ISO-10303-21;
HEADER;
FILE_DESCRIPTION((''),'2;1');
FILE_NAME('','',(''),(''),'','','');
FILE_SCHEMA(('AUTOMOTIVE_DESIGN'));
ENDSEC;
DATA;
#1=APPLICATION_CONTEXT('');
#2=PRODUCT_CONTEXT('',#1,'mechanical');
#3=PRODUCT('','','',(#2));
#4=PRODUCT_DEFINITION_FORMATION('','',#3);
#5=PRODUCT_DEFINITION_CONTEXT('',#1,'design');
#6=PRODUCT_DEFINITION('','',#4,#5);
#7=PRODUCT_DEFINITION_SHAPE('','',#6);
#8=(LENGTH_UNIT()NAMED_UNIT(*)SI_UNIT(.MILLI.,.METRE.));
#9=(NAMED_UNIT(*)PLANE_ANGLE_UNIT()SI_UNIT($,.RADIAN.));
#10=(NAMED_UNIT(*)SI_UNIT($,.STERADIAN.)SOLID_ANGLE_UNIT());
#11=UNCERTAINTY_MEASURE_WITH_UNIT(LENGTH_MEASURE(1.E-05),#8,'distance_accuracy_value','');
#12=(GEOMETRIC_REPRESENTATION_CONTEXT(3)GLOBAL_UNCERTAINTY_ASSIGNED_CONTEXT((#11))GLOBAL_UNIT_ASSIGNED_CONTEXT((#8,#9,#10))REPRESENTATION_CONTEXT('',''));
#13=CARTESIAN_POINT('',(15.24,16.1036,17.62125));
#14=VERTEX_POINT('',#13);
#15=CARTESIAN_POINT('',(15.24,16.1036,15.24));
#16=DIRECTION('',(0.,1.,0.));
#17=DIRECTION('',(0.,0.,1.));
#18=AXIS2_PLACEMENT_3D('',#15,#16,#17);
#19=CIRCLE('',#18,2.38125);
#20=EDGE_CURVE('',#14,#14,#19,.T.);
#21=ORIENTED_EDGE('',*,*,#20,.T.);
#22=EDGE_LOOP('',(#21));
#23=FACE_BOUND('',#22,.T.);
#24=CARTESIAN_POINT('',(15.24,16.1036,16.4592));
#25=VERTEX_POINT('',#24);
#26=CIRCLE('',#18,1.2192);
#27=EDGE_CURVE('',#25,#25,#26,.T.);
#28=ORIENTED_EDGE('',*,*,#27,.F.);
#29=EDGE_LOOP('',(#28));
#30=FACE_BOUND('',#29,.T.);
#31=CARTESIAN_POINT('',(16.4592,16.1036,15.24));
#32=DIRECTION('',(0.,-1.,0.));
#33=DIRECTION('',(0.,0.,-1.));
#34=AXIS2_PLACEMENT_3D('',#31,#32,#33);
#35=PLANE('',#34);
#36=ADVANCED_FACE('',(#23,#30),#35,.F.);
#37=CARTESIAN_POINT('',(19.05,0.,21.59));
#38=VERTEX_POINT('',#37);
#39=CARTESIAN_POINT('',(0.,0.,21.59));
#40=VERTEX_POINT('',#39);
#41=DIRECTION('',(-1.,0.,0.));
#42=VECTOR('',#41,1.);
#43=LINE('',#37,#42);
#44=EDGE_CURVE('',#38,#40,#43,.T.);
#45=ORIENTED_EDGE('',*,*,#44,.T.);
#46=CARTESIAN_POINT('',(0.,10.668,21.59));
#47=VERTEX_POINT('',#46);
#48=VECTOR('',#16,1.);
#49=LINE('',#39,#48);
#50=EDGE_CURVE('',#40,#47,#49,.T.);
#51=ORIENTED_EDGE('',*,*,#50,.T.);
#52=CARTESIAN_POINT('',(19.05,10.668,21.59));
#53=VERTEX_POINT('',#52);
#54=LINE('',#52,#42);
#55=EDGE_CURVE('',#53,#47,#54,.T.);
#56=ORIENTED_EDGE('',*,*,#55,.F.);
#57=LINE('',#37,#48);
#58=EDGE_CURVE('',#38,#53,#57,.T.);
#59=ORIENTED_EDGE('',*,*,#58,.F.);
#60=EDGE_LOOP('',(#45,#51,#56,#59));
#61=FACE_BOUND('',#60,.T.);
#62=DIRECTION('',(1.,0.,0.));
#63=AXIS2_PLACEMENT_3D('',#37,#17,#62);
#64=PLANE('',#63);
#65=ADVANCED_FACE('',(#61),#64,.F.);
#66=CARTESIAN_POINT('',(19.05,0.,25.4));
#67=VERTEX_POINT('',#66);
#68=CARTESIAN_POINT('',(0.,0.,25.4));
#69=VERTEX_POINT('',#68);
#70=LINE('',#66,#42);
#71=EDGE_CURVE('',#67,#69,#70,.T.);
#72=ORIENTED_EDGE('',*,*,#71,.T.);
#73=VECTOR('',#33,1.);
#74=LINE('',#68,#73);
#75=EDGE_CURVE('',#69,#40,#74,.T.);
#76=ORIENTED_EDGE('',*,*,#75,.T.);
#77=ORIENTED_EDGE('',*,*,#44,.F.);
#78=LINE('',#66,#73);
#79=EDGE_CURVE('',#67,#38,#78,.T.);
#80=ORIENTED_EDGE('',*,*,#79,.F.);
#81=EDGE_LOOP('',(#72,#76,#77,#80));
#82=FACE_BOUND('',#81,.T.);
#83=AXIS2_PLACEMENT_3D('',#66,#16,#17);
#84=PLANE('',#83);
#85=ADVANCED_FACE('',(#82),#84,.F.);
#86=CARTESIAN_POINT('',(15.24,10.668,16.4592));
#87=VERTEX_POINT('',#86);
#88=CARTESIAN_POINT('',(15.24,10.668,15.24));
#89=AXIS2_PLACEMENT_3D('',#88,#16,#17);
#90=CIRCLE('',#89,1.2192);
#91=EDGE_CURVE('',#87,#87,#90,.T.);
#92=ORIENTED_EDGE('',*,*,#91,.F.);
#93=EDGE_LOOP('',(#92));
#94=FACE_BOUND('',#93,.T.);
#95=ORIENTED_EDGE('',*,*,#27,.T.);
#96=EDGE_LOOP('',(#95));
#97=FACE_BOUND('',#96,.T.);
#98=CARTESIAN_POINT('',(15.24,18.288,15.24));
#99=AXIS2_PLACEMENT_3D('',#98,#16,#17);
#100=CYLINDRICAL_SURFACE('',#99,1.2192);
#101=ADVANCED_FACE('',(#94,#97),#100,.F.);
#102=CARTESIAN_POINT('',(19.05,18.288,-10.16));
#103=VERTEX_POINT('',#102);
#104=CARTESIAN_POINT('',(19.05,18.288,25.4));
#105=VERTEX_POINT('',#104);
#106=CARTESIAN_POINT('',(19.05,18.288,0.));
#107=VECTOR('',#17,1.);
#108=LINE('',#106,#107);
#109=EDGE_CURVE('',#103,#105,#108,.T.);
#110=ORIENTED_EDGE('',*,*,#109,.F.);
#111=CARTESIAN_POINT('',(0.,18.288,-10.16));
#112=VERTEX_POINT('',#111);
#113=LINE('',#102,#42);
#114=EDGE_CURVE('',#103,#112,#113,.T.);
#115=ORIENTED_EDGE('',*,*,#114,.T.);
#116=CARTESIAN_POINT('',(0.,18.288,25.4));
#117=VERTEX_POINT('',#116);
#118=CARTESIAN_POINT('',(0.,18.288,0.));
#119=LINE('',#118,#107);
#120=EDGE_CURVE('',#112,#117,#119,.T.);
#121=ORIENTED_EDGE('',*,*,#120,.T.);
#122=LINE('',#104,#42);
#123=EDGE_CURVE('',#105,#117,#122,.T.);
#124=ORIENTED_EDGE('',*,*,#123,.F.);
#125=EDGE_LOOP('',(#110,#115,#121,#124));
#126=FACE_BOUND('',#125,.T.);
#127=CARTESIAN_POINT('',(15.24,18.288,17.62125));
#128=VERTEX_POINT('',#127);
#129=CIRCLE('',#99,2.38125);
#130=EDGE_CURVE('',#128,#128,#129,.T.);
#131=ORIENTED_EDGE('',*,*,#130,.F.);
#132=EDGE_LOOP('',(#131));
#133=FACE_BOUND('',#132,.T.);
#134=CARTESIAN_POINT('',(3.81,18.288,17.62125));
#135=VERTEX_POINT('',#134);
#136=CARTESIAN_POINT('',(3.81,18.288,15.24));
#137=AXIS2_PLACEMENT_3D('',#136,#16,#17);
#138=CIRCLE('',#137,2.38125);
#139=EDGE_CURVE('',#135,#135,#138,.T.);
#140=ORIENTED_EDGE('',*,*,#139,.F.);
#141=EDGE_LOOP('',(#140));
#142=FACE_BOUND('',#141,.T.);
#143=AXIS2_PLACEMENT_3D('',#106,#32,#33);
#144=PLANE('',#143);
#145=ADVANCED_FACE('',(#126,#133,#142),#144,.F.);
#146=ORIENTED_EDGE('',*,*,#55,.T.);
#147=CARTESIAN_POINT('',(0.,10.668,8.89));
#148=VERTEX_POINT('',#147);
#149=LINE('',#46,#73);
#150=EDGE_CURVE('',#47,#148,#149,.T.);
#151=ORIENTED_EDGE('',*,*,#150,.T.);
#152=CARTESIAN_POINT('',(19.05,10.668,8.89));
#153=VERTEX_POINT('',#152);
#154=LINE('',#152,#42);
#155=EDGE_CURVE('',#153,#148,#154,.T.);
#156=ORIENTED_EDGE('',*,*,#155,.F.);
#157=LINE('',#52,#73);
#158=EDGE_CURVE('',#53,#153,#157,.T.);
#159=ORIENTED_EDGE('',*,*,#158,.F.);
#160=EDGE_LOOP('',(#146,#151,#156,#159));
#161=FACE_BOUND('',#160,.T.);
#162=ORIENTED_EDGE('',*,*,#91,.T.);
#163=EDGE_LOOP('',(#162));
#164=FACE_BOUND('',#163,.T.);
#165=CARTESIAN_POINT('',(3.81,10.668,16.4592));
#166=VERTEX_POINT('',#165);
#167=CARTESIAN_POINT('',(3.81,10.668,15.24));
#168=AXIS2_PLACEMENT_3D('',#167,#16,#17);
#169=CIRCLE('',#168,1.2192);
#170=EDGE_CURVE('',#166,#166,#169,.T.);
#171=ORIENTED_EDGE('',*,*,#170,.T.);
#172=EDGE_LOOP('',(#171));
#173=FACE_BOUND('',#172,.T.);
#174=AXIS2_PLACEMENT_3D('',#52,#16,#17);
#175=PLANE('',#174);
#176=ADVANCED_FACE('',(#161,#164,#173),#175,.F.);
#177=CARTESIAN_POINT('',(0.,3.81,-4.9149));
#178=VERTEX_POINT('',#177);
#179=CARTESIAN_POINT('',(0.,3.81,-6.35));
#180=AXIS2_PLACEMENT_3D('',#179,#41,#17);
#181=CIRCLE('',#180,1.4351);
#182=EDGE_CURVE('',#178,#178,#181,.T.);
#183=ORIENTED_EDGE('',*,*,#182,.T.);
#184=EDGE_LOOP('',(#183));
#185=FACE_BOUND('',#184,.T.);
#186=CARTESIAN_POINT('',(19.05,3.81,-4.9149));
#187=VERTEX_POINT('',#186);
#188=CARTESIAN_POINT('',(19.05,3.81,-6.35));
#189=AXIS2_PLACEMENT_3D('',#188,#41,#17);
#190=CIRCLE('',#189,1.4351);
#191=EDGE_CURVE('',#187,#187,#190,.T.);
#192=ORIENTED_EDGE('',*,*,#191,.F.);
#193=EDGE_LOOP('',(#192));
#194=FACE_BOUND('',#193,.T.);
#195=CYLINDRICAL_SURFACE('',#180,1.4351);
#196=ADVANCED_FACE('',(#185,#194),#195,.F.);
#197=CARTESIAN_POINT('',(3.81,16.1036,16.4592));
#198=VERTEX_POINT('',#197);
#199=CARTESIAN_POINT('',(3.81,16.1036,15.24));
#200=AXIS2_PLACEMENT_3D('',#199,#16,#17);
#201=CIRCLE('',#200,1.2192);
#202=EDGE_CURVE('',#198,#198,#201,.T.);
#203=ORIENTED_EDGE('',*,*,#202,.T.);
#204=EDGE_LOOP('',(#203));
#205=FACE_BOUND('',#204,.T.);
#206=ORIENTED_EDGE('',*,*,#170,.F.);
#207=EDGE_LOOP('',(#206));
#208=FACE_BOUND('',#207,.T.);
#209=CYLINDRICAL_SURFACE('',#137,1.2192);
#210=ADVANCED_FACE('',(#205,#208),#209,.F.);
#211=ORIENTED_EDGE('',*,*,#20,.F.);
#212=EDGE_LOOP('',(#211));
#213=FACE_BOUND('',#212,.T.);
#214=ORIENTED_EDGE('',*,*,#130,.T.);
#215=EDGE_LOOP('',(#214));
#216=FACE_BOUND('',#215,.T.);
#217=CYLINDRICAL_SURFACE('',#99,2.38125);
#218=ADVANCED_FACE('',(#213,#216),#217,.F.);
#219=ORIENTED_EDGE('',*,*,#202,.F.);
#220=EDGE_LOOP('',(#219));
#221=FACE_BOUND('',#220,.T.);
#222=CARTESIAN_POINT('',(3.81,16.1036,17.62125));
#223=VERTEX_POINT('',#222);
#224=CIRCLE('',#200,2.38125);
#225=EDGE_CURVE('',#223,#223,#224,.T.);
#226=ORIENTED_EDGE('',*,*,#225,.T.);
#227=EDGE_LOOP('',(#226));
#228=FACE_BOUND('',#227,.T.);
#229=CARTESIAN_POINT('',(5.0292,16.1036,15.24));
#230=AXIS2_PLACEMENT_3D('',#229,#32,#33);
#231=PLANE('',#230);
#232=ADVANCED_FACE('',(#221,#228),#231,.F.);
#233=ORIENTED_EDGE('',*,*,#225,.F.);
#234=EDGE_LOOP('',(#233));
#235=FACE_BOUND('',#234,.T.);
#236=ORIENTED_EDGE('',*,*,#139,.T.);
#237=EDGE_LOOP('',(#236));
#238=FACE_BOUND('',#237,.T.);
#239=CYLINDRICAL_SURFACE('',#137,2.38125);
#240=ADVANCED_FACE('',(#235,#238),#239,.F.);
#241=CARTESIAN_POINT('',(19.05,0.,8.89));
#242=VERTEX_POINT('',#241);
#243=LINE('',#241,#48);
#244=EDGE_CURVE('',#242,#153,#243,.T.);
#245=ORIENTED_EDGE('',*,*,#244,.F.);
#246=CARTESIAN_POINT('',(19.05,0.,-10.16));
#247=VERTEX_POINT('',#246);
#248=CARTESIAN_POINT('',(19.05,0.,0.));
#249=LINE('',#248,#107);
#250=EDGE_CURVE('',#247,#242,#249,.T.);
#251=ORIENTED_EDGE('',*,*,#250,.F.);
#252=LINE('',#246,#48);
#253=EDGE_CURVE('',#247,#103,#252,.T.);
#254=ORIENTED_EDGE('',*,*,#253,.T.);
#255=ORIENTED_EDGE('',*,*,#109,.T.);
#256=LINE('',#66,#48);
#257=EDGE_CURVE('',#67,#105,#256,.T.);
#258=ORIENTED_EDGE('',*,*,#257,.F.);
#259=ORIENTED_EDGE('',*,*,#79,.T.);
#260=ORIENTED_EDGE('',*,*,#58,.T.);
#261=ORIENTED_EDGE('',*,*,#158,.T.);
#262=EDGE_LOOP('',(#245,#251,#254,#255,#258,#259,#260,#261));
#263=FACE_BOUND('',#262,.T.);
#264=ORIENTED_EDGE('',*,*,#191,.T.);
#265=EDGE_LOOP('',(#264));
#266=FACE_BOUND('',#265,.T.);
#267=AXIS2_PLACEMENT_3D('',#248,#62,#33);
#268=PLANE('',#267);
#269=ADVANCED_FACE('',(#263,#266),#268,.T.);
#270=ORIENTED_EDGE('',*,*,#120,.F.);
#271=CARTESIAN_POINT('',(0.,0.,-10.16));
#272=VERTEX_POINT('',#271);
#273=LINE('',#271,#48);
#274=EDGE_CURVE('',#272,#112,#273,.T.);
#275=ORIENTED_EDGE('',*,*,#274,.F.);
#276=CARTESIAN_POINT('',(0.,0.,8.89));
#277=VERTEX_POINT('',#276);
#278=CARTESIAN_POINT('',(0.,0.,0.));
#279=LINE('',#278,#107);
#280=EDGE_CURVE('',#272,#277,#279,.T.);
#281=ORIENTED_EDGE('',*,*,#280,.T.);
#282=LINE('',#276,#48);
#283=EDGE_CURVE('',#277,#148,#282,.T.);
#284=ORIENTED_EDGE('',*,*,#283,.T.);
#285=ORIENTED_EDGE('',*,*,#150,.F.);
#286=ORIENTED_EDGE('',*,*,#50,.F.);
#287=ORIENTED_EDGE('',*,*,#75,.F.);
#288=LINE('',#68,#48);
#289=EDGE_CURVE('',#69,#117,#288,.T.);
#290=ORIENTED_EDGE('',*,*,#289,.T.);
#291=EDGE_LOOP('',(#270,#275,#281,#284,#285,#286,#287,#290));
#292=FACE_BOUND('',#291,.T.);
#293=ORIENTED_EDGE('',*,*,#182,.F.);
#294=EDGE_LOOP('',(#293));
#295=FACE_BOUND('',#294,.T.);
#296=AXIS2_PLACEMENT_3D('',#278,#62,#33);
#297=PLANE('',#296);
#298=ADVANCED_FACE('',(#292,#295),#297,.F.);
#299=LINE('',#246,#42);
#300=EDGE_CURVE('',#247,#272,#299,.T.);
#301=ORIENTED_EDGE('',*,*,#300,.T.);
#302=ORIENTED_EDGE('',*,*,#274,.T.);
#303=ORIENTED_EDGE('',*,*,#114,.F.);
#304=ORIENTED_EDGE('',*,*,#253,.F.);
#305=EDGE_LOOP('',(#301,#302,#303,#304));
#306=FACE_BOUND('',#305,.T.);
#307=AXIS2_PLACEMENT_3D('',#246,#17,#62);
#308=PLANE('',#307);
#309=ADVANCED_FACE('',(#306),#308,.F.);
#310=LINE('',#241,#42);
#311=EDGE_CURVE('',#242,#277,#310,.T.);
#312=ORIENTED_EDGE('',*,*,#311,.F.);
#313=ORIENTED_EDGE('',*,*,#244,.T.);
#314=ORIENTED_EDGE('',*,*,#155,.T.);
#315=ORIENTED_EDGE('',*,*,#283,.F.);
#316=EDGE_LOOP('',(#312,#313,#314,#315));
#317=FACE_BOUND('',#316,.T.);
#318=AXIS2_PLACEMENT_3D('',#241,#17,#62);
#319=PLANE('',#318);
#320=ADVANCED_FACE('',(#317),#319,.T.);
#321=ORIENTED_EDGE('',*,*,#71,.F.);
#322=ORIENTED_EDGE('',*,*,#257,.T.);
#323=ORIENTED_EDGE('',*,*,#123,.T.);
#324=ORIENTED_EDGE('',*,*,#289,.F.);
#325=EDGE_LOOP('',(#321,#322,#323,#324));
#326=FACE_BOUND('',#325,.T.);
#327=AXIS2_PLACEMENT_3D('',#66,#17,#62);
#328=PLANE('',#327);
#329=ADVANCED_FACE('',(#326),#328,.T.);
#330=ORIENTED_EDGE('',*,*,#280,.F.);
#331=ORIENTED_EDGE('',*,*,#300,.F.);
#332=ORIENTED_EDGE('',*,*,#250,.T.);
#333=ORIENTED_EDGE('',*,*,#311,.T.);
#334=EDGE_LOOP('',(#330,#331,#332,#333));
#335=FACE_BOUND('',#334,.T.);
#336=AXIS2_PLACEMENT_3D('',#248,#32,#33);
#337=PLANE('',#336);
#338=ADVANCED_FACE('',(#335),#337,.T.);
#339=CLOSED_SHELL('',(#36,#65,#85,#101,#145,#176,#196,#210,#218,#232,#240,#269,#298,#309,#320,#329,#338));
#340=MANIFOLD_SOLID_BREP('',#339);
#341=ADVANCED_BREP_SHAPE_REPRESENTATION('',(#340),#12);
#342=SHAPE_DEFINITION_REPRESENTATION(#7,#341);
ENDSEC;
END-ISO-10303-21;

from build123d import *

# Parameters (mm, degrees)
BOSS_EXTRUDE1_DEPTH                            = 19.05
CBORE_FOR_2_SOCKET_HEAD_CAP_SCREW1_D           = 2.4384
CBORE_FOR_2_SOCKET_HEAD_CAP_SCREW1_CBORE_D     = 4.7625
CBORE_FOR_2_SOCKET_HEAD_CAP_SCREW1_CBORE_DEPTH = 2.1844
F_6_40_TAPPED_HOLE2_D                          = 2.8702


with BuildPart() as part:
    # Sketch1 → Boss-Extrude1 (new body)
    with BuildSketch(Plane(origin=(0, 0, 0), x_dir=(0, 0, -1), z_dir=(1, 0, 0))):
        Polygon((-8.89, 0), (10.16, 0), (10.16, 18.288), (-25.4, 18.288), (-25.4, 0), (-21.59, 0), (-21.59, 10.668), (-8.89, 10.668), align=None)
    extrude(amount=BOSS_EXTRUDE1_DEPTH)

    # CBORE for #2 Socket Head Cap Screw1 (through all)
    with Locations(Plane(origin=(0, 18.288, 0), x_dir=(-1, 0, 0), z_dir=(0, 1, 0))):
        with Locations((-3.81, 15.24), (-15.24, 15.24)):
            CounterBoreHole(CBORE_FOR_2_SOCKET_HEAD_CAP_SCREW1_D / 2, CBORE_FOR_2_SOCKET_HEAD_CAP_SCREW1_CBORE_D / 2, CBORE_FOR_2_SOCKET_HEAD_CAP_SCREW1_CBORE_DEPTH)

    # #6-40 Tapped Hole2 (through all)
    with Locations(Plane.ZY):
        with Locations((-6.35, 3.81)):
            Hole(F_6_40_TAPPED_HOLE2_D / 2)


solid = part.part
